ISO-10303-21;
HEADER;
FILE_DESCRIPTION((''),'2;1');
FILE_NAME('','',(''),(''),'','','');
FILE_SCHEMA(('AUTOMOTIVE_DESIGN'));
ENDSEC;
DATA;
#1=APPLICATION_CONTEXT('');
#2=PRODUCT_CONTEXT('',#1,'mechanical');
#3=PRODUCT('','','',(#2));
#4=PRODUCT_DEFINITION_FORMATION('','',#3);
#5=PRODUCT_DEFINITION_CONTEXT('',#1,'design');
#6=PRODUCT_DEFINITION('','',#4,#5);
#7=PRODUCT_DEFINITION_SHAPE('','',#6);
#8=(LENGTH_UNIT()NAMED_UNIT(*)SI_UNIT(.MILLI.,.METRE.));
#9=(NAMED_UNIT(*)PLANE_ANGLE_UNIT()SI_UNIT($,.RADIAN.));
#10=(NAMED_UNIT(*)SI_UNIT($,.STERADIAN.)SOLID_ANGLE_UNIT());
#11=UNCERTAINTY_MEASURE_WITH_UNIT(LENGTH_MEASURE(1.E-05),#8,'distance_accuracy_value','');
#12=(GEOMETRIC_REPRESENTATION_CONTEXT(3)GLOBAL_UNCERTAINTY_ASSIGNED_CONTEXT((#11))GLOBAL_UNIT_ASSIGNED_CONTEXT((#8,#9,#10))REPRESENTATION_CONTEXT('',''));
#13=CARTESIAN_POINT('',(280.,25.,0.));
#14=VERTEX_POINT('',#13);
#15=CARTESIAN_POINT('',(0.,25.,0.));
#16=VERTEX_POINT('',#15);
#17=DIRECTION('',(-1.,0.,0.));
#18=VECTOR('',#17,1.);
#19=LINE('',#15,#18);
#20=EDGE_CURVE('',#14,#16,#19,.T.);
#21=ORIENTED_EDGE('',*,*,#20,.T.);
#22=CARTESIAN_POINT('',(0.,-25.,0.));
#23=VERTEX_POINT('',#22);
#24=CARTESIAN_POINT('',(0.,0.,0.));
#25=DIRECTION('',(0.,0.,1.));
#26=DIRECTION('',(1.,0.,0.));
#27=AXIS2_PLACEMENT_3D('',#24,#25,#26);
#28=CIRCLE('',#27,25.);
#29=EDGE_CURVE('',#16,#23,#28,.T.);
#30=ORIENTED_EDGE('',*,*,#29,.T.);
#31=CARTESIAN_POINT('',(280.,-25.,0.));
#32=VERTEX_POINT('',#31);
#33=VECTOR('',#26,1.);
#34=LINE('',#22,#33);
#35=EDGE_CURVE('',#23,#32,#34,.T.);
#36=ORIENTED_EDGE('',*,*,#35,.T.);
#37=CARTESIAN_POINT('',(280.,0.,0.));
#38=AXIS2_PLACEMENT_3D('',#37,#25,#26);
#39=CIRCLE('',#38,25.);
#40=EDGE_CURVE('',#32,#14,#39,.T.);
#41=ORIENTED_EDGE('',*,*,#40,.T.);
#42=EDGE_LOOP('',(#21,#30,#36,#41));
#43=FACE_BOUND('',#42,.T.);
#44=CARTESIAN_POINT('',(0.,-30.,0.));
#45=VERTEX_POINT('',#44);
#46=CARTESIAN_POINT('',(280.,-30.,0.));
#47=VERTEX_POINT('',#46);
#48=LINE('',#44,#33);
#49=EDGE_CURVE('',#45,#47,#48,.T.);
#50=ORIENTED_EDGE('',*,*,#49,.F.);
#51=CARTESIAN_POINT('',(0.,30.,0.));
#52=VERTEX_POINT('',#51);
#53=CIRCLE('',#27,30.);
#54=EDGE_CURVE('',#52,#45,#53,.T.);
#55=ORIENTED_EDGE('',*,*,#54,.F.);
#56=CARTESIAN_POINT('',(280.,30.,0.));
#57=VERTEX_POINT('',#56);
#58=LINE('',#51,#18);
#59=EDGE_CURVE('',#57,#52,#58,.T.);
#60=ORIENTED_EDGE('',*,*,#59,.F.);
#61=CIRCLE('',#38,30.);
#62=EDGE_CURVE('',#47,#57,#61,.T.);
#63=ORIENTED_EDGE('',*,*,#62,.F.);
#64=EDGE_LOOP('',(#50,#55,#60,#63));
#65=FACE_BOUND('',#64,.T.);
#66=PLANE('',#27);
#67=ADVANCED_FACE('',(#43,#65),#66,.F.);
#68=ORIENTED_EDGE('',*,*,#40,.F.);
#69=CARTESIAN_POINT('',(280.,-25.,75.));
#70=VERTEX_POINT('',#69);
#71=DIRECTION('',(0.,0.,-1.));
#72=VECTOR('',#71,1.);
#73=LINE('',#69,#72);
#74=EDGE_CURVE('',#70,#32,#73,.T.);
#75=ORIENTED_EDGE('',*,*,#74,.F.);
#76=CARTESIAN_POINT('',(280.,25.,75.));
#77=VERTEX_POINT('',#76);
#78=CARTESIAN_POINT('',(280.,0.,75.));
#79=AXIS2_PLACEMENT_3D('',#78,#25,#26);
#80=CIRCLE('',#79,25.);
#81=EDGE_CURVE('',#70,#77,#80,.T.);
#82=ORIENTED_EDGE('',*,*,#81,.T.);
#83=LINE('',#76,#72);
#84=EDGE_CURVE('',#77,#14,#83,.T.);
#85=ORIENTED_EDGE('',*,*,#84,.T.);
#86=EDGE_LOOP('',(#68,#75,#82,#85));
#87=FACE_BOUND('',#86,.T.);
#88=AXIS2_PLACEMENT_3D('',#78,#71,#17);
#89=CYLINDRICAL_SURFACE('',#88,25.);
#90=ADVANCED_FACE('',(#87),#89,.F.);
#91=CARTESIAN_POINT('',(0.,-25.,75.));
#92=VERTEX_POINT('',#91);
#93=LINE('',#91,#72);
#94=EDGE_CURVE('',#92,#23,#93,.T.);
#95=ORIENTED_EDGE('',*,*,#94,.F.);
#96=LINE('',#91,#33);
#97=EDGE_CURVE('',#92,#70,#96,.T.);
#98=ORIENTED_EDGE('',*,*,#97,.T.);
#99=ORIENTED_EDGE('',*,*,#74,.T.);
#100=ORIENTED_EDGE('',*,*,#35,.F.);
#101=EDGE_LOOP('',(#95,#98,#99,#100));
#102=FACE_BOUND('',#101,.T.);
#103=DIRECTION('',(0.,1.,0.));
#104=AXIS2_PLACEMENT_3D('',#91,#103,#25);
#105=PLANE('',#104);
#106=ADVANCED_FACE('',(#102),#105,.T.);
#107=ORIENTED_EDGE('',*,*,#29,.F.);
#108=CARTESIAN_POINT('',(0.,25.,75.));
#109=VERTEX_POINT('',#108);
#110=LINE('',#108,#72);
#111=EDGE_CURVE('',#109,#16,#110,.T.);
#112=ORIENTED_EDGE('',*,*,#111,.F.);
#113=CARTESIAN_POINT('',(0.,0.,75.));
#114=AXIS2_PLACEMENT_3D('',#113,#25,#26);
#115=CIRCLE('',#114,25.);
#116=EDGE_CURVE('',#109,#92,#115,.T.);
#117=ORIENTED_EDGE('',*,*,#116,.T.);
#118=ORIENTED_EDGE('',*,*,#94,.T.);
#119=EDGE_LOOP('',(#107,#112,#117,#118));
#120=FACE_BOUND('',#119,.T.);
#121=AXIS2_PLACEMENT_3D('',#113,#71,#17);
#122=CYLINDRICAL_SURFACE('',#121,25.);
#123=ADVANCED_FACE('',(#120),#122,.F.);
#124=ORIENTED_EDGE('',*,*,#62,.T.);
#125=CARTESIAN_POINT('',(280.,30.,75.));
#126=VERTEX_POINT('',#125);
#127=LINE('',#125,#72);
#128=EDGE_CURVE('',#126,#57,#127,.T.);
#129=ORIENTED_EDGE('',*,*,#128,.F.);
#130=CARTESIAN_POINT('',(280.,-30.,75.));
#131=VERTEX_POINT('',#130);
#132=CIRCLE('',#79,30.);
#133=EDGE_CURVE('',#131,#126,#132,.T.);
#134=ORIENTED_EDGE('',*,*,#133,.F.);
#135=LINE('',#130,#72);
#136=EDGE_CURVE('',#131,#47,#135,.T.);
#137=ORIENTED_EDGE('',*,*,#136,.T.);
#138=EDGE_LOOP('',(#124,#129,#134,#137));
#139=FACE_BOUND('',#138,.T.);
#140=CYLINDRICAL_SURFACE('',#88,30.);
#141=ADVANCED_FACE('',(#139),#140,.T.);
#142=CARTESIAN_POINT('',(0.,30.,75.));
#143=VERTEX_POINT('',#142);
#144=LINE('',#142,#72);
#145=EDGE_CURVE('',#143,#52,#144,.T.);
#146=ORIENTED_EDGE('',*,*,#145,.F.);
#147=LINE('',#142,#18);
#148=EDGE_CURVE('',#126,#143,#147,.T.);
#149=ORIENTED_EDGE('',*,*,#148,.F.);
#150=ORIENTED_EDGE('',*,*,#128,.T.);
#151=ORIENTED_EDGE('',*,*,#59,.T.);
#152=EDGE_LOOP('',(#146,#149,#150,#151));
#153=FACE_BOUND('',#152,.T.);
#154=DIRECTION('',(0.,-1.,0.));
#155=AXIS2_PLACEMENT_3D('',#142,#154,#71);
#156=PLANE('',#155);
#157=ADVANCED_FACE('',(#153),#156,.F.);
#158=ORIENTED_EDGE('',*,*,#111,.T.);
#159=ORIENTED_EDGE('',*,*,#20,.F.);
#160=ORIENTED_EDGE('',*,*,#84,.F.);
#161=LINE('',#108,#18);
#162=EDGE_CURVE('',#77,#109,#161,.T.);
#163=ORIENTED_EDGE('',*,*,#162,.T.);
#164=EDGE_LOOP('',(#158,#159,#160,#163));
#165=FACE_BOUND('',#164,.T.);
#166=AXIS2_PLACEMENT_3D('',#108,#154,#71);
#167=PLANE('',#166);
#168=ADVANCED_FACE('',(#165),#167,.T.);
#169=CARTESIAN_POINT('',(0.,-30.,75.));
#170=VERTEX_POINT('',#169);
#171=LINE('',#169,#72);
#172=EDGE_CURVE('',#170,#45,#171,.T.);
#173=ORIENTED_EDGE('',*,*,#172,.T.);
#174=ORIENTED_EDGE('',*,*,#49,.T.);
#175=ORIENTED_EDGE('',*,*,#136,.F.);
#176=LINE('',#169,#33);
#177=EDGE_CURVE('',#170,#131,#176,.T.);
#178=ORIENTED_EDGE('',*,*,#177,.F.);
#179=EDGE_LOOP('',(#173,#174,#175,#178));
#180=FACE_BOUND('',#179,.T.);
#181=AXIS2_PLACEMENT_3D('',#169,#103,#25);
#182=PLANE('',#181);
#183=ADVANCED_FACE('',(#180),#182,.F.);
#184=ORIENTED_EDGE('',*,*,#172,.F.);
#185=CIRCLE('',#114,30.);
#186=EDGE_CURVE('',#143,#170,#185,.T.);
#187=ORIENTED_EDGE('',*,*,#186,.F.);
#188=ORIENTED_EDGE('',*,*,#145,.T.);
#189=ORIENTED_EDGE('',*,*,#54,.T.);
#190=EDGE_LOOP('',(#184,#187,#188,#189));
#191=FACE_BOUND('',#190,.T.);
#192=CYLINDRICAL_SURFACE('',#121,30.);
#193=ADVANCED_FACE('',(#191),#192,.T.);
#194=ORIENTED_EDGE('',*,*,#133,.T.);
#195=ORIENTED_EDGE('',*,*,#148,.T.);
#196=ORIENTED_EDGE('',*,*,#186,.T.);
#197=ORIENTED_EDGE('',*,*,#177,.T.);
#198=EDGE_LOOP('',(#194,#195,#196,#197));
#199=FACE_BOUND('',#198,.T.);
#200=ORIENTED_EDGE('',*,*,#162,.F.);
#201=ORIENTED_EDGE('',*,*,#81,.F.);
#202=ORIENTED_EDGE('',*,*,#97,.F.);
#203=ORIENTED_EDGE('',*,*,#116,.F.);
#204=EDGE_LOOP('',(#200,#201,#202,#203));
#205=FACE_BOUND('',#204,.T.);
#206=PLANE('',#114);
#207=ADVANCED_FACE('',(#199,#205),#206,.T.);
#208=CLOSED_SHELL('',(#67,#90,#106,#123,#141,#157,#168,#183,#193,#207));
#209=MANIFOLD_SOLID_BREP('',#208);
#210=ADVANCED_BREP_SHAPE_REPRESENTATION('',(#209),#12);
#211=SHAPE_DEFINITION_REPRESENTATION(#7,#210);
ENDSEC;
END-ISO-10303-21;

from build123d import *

# Parameters (mm, degrees)
BOSS_EXTRUDE1_DEPTH = 75


with BuildPart() as part:
    # Sketch1 → Boss-Extrude1 (new body)
    with BuildSketch(Plane.XY):
        with BuildLine():
            Line((0, 30), (280, 30))
            ThreePointArc((280, 30), (310, 0), (280, -30))
            Line((280, -30), (0, -30))
            ThreePointArc((0, -30), (-30, 0), (0, 30))
        make_face()
        with BuildLine():
            Line((0, 25), (280, 25))
            ThreePointArc((280, 25), (305, 0), (280, -25))
            Line((280, -25), (0, -25))
            ThreePointArc((0, -25), (-25, 0), (0, 25))
        make_face(mode=Mode.SUBTRACT)
    extrude(amount=BOSS_EXTRUDE1_DEPTH)


solid = part.part
